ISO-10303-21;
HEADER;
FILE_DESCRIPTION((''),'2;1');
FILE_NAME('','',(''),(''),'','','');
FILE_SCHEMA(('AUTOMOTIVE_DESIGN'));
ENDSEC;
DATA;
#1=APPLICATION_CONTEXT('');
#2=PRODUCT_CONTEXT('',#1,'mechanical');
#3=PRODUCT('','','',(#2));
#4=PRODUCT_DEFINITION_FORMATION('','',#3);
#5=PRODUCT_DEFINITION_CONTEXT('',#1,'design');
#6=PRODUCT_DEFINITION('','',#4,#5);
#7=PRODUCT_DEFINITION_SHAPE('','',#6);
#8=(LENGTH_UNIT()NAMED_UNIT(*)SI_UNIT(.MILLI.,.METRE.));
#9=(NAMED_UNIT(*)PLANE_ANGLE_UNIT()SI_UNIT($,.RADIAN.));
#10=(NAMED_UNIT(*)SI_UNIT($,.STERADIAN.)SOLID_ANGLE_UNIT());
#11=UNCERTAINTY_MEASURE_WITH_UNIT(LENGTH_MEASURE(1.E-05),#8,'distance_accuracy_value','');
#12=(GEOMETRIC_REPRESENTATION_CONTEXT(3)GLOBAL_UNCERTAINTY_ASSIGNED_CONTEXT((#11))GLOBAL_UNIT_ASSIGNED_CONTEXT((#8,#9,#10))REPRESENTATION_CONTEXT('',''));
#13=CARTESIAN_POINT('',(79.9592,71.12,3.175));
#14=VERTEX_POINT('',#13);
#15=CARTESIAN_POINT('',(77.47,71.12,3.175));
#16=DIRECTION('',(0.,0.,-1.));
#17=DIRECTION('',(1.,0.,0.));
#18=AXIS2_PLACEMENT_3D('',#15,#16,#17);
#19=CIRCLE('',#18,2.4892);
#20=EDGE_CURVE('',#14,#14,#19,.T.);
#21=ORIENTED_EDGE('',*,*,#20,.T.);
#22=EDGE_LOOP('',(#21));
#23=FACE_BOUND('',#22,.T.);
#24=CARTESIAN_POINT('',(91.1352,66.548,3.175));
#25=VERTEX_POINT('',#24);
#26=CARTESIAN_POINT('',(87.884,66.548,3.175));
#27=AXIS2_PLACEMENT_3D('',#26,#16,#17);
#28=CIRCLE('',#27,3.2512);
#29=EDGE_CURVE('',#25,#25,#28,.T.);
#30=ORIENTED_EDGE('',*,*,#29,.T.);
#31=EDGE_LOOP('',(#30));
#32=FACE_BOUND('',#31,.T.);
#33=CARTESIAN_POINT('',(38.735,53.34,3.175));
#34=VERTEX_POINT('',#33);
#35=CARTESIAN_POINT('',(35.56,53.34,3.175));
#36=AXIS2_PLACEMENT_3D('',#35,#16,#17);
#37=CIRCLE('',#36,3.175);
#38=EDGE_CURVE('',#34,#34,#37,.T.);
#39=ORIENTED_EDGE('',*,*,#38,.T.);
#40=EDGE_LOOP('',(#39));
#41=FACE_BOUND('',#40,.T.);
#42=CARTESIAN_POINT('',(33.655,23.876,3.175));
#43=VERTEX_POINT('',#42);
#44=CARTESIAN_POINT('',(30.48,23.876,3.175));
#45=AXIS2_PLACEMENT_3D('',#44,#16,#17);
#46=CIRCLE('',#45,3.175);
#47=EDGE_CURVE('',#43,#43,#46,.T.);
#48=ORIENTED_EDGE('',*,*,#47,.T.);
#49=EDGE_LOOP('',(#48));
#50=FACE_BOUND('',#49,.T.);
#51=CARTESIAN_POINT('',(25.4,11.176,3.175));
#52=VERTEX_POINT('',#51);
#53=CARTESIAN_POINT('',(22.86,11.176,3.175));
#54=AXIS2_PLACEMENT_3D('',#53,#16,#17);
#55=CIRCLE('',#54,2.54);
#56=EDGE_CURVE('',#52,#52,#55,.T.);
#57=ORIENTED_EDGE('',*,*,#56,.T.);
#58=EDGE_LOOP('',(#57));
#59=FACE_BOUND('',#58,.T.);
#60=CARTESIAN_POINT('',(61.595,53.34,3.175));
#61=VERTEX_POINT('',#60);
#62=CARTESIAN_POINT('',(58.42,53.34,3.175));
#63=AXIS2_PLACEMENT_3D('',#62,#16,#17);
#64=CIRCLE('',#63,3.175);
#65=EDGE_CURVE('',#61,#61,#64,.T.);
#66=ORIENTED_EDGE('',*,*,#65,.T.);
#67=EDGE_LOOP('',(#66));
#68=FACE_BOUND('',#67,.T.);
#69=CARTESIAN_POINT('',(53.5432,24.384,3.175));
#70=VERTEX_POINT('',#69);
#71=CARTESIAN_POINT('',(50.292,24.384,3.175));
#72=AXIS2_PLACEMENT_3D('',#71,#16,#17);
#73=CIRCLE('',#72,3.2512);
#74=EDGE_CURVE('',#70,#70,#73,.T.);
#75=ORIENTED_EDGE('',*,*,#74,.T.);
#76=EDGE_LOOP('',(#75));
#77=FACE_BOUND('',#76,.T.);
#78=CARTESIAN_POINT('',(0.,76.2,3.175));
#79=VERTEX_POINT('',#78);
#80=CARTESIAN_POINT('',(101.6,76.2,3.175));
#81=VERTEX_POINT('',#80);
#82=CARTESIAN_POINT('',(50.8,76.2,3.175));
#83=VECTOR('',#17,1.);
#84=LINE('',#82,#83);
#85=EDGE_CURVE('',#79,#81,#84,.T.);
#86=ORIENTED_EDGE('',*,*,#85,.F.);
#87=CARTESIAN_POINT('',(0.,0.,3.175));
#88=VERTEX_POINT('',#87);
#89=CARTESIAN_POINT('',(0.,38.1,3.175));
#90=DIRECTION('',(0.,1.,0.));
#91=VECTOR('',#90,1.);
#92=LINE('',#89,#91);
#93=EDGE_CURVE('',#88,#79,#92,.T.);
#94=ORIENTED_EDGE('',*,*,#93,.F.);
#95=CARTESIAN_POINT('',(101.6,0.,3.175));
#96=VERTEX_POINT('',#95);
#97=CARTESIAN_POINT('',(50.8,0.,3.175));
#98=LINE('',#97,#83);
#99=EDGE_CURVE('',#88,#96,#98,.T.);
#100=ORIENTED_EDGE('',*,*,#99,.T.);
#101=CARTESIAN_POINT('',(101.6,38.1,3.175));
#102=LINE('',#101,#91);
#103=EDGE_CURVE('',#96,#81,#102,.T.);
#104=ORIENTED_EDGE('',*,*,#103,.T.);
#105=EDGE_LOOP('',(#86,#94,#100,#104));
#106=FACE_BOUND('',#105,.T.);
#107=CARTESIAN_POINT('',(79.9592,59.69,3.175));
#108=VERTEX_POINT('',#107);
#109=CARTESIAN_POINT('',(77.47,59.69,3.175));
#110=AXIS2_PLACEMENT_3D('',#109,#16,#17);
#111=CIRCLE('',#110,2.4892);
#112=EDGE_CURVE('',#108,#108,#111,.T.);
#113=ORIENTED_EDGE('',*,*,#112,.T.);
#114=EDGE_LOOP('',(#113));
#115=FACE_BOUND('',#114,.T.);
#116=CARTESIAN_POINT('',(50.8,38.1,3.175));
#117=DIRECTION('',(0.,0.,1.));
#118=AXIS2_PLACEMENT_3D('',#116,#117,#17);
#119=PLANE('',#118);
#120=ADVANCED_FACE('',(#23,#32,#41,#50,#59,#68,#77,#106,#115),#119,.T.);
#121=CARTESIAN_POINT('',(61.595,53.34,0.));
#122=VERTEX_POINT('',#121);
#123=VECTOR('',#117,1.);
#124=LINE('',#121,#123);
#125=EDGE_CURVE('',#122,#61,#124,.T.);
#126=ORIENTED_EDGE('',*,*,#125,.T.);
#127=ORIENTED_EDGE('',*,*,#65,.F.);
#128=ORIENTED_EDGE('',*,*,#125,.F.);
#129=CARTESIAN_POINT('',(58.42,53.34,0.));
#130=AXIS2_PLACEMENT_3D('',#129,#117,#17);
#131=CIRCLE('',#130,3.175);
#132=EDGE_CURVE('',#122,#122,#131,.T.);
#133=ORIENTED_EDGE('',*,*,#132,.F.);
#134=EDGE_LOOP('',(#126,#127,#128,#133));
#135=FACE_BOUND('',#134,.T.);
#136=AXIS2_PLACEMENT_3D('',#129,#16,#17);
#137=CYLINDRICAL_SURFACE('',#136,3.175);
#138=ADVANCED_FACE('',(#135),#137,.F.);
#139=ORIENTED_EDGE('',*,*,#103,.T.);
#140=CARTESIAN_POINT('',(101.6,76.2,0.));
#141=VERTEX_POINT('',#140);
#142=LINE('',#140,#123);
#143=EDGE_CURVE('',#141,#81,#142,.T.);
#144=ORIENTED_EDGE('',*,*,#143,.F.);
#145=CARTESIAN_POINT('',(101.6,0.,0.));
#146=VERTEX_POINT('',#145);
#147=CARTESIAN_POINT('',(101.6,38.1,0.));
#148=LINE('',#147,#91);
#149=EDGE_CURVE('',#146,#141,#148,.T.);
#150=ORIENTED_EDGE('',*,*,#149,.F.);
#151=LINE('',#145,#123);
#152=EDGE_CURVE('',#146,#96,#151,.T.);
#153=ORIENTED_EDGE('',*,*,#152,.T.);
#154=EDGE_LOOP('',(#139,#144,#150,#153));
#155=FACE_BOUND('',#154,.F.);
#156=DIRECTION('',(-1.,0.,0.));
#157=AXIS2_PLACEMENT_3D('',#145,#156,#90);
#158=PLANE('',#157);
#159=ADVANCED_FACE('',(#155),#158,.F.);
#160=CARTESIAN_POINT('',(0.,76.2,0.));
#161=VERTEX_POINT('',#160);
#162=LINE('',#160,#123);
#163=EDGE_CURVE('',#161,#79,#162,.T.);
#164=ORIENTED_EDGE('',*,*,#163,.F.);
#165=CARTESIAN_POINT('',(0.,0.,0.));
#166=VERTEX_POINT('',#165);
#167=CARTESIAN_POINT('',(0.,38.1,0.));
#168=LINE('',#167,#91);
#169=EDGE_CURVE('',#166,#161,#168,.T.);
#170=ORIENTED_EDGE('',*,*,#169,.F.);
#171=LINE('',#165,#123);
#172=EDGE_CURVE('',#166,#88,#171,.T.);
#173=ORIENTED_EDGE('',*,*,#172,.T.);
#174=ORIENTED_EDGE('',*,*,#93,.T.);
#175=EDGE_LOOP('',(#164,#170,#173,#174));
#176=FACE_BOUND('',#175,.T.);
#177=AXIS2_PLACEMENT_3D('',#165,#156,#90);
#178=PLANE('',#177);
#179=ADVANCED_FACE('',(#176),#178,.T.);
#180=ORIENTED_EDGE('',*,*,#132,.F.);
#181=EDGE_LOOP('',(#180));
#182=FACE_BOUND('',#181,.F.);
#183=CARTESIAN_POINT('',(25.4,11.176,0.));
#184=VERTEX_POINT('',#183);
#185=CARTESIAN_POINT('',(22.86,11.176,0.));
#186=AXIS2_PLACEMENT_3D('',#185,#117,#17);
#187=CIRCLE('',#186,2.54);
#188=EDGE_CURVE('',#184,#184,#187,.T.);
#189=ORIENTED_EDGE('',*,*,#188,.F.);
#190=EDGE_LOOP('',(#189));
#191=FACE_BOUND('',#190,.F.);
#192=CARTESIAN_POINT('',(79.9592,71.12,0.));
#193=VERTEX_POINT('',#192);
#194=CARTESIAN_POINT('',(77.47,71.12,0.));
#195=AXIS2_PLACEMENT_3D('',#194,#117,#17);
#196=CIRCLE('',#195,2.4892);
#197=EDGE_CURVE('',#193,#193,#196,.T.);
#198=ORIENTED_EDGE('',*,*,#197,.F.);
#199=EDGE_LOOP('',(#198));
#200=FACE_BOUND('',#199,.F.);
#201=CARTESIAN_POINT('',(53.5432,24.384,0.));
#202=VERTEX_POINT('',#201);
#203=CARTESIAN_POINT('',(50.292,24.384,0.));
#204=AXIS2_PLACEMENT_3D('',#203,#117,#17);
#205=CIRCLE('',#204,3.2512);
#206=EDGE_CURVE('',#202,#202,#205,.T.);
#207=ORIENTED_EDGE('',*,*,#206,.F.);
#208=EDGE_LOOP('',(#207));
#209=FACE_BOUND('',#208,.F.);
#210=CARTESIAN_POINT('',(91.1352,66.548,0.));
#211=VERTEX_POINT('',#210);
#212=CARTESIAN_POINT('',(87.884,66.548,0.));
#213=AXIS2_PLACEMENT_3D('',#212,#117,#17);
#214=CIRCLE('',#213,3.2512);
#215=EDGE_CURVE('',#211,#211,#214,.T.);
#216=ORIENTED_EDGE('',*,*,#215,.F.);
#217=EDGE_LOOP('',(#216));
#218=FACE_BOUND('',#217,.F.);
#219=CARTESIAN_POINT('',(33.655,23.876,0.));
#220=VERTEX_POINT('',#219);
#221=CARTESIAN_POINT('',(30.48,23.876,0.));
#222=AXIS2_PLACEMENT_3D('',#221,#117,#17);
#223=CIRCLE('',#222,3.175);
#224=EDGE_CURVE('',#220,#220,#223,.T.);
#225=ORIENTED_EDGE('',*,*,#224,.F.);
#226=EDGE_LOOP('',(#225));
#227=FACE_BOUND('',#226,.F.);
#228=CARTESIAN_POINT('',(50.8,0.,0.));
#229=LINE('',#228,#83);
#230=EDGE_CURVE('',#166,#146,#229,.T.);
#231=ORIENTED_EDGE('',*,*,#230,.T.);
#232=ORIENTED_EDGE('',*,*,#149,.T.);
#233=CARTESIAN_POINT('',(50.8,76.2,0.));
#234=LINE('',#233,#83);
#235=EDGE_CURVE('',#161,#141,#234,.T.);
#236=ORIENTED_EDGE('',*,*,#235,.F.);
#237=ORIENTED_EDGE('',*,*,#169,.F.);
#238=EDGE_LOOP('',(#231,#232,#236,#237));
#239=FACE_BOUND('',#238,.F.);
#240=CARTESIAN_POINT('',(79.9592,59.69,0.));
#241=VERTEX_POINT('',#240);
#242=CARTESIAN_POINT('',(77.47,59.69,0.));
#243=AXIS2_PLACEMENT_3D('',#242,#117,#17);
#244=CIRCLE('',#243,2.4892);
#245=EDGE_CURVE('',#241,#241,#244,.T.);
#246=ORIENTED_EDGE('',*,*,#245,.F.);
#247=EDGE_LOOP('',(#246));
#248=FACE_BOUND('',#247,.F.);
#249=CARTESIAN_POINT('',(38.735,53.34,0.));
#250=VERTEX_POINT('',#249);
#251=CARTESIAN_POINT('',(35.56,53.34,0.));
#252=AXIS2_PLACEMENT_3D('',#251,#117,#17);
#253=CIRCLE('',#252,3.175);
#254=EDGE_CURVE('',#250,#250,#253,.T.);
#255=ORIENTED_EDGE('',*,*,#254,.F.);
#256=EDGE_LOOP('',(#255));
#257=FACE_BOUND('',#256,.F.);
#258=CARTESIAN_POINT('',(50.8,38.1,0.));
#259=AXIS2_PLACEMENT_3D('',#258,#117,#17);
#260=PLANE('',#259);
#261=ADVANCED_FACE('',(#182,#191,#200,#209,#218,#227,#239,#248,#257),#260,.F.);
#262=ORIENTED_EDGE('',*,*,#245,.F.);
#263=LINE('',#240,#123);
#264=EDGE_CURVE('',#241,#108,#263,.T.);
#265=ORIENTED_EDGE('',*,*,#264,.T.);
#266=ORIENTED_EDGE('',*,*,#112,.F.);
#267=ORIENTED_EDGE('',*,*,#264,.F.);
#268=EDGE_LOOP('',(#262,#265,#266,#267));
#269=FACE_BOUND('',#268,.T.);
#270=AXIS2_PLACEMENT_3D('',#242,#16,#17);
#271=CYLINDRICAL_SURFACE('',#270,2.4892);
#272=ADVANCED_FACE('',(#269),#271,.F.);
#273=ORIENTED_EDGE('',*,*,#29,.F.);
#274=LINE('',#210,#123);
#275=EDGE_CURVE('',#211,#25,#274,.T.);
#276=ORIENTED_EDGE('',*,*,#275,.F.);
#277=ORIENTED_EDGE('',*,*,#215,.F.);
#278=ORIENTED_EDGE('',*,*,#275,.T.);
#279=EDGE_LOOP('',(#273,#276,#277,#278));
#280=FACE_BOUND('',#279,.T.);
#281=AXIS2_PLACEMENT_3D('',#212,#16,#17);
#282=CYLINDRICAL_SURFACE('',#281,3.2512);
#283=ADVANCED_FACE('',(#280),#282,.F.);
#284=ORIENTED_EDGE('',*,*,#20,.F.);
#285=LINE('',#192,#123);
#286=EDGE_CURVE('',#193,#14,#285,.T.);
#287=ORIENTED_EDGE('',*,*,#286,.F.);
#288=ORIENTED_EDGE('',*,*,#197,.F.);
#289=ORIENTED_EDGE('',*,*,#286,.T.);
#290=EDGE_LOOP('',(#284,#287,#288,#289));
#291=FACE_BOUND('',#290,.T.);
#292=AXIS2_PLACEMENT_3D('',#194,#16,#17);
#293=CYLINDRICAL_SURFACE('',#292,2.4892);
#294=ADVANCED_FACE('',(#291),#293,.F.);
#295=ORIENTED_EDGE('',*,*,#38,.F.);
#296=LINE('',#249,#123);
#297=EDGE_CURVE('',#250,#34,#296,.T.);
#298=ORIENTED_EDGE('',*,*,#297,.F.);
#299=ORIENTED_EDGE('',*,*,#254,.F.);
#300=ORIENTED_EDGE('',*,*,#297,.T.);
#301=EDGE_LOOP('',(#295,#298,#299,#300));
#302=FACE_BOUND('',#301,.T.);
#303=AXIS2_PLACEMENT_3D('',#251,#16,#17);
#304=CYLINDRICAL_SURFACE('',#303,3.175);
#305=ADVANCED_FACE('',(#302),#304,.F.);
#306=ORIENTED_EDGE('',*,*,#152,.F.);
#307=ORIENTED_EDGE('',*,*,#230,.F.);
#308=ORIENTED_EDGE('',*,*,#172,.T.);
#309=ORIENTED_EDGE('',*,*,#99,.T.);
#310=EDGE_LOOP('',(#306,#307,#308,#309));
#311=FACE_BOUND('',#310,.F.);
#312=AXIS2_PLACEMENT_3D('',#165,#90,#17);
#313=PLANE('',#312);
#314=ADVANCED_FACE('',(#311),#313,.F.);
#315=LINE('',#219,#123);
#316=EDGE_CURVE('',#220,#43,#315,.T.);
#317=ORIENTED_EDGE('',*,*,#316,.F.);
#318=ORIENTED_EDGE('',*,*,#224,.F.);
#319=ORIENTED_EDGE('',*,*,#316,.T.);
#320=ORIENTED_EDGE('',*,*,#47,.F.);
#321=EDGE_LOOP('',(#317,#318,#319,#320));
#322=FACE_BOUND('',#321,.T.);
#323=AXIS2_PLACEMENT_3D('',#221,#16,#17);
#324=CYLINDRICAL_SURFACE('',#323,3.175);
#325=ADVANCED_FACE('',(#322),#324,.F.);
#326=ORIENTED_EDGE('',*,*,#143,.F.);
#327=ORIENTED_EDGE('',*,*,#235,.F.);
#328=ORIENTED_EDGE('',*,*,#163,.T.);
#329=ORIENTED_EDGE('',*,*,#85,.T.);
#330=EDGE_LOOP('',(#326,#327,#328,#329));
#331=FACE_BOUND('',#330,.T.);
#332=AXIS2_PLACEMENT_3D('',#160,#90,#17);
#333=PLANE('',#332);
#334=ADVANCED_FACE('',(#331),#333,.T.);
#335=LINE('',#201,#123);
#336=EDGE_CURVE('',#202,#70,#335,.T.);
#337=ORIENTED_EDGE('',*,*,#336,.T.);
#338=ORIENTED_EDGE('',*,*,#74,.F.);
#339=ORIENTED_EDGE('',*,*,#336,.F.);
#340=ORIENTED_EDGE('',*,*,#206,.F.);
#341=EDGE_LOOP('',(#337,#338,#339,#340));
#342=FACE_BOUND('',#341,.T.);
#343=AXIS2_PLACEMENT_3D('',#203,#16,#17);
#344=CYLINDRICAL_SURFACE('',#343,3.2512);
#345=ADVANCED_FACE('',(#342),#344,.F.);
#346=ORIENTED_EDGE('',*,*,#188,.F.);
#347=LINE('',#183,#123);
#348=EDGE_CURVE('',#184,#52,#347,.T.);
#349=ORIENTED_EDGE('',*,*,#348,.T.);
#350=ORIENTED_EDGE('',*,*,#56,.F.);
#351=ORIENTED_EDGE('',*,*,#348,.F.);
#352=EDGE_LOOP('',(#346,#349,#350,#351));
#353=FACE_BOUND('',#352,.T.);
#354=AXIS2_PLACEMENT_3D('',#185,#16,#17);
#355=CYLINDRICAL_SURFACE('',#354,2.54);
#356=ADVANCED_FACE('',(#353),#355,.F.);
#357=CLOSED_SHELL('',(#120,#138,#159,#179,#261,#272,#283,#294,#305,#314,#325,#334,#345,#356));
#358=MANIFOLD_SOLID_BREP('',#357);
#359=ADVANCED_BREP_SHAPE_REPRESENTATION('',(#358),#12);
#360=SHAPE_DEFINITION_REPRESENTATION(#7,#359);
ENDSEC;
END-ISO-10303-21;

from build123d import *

# Parameters (mm, degrees)
F0_W     = 101.6
F0_H     = 76.2
F5_DEPTH = 3.175
F1_R     = 2.54
F2_R     = 3.175
F3_R     = 3.2512
F4_R     = 2.4892
F6_DEPTH = 3.176


with BuildPart() as f5:
    # F0 (on Top) → F5 (new body)
    with BuildSketch(Plane.XY):
        with Locations((50.8, 38.1)):
            Rectangle(F0_W, F0_H)
    extrude(amount=F5_DEPTH)

    # F1 (on Top) + F2 (on Top) + F3 (on Top) + F4 (on Top) → F6 (cut, through all)
    with BuildSketch(Plane.XY):
        with Locations((22.86, 11.176)):
            Circle(F1_R)
    with BuildSketch(Plane.XY):
        with Locations((30.48, 23.876)):
            Circle(F2_R)
        with Locations((35.56, 53.34)):
            Circle(F2_R)
        with Locations((58.42, 53.34)):
            Circle(F2_R)
    with BuildSketch(Plane.XY):
        with Locations((50.292, 24.384)):
            Circle(F3_R)
        with Locations((87.884, 66.548)):
            Circle(F3_R)
    with BuildSketch(Plane.XY):
        with Locations((77.47, 71.12)):
            Circle(F4_R)
        with Locations((77.47, 59.69)):
            Circle(F4_R)
    extrude(amount=F6_DEPTH, mode=Mode.SUBTRACT)


solid = f5.part
